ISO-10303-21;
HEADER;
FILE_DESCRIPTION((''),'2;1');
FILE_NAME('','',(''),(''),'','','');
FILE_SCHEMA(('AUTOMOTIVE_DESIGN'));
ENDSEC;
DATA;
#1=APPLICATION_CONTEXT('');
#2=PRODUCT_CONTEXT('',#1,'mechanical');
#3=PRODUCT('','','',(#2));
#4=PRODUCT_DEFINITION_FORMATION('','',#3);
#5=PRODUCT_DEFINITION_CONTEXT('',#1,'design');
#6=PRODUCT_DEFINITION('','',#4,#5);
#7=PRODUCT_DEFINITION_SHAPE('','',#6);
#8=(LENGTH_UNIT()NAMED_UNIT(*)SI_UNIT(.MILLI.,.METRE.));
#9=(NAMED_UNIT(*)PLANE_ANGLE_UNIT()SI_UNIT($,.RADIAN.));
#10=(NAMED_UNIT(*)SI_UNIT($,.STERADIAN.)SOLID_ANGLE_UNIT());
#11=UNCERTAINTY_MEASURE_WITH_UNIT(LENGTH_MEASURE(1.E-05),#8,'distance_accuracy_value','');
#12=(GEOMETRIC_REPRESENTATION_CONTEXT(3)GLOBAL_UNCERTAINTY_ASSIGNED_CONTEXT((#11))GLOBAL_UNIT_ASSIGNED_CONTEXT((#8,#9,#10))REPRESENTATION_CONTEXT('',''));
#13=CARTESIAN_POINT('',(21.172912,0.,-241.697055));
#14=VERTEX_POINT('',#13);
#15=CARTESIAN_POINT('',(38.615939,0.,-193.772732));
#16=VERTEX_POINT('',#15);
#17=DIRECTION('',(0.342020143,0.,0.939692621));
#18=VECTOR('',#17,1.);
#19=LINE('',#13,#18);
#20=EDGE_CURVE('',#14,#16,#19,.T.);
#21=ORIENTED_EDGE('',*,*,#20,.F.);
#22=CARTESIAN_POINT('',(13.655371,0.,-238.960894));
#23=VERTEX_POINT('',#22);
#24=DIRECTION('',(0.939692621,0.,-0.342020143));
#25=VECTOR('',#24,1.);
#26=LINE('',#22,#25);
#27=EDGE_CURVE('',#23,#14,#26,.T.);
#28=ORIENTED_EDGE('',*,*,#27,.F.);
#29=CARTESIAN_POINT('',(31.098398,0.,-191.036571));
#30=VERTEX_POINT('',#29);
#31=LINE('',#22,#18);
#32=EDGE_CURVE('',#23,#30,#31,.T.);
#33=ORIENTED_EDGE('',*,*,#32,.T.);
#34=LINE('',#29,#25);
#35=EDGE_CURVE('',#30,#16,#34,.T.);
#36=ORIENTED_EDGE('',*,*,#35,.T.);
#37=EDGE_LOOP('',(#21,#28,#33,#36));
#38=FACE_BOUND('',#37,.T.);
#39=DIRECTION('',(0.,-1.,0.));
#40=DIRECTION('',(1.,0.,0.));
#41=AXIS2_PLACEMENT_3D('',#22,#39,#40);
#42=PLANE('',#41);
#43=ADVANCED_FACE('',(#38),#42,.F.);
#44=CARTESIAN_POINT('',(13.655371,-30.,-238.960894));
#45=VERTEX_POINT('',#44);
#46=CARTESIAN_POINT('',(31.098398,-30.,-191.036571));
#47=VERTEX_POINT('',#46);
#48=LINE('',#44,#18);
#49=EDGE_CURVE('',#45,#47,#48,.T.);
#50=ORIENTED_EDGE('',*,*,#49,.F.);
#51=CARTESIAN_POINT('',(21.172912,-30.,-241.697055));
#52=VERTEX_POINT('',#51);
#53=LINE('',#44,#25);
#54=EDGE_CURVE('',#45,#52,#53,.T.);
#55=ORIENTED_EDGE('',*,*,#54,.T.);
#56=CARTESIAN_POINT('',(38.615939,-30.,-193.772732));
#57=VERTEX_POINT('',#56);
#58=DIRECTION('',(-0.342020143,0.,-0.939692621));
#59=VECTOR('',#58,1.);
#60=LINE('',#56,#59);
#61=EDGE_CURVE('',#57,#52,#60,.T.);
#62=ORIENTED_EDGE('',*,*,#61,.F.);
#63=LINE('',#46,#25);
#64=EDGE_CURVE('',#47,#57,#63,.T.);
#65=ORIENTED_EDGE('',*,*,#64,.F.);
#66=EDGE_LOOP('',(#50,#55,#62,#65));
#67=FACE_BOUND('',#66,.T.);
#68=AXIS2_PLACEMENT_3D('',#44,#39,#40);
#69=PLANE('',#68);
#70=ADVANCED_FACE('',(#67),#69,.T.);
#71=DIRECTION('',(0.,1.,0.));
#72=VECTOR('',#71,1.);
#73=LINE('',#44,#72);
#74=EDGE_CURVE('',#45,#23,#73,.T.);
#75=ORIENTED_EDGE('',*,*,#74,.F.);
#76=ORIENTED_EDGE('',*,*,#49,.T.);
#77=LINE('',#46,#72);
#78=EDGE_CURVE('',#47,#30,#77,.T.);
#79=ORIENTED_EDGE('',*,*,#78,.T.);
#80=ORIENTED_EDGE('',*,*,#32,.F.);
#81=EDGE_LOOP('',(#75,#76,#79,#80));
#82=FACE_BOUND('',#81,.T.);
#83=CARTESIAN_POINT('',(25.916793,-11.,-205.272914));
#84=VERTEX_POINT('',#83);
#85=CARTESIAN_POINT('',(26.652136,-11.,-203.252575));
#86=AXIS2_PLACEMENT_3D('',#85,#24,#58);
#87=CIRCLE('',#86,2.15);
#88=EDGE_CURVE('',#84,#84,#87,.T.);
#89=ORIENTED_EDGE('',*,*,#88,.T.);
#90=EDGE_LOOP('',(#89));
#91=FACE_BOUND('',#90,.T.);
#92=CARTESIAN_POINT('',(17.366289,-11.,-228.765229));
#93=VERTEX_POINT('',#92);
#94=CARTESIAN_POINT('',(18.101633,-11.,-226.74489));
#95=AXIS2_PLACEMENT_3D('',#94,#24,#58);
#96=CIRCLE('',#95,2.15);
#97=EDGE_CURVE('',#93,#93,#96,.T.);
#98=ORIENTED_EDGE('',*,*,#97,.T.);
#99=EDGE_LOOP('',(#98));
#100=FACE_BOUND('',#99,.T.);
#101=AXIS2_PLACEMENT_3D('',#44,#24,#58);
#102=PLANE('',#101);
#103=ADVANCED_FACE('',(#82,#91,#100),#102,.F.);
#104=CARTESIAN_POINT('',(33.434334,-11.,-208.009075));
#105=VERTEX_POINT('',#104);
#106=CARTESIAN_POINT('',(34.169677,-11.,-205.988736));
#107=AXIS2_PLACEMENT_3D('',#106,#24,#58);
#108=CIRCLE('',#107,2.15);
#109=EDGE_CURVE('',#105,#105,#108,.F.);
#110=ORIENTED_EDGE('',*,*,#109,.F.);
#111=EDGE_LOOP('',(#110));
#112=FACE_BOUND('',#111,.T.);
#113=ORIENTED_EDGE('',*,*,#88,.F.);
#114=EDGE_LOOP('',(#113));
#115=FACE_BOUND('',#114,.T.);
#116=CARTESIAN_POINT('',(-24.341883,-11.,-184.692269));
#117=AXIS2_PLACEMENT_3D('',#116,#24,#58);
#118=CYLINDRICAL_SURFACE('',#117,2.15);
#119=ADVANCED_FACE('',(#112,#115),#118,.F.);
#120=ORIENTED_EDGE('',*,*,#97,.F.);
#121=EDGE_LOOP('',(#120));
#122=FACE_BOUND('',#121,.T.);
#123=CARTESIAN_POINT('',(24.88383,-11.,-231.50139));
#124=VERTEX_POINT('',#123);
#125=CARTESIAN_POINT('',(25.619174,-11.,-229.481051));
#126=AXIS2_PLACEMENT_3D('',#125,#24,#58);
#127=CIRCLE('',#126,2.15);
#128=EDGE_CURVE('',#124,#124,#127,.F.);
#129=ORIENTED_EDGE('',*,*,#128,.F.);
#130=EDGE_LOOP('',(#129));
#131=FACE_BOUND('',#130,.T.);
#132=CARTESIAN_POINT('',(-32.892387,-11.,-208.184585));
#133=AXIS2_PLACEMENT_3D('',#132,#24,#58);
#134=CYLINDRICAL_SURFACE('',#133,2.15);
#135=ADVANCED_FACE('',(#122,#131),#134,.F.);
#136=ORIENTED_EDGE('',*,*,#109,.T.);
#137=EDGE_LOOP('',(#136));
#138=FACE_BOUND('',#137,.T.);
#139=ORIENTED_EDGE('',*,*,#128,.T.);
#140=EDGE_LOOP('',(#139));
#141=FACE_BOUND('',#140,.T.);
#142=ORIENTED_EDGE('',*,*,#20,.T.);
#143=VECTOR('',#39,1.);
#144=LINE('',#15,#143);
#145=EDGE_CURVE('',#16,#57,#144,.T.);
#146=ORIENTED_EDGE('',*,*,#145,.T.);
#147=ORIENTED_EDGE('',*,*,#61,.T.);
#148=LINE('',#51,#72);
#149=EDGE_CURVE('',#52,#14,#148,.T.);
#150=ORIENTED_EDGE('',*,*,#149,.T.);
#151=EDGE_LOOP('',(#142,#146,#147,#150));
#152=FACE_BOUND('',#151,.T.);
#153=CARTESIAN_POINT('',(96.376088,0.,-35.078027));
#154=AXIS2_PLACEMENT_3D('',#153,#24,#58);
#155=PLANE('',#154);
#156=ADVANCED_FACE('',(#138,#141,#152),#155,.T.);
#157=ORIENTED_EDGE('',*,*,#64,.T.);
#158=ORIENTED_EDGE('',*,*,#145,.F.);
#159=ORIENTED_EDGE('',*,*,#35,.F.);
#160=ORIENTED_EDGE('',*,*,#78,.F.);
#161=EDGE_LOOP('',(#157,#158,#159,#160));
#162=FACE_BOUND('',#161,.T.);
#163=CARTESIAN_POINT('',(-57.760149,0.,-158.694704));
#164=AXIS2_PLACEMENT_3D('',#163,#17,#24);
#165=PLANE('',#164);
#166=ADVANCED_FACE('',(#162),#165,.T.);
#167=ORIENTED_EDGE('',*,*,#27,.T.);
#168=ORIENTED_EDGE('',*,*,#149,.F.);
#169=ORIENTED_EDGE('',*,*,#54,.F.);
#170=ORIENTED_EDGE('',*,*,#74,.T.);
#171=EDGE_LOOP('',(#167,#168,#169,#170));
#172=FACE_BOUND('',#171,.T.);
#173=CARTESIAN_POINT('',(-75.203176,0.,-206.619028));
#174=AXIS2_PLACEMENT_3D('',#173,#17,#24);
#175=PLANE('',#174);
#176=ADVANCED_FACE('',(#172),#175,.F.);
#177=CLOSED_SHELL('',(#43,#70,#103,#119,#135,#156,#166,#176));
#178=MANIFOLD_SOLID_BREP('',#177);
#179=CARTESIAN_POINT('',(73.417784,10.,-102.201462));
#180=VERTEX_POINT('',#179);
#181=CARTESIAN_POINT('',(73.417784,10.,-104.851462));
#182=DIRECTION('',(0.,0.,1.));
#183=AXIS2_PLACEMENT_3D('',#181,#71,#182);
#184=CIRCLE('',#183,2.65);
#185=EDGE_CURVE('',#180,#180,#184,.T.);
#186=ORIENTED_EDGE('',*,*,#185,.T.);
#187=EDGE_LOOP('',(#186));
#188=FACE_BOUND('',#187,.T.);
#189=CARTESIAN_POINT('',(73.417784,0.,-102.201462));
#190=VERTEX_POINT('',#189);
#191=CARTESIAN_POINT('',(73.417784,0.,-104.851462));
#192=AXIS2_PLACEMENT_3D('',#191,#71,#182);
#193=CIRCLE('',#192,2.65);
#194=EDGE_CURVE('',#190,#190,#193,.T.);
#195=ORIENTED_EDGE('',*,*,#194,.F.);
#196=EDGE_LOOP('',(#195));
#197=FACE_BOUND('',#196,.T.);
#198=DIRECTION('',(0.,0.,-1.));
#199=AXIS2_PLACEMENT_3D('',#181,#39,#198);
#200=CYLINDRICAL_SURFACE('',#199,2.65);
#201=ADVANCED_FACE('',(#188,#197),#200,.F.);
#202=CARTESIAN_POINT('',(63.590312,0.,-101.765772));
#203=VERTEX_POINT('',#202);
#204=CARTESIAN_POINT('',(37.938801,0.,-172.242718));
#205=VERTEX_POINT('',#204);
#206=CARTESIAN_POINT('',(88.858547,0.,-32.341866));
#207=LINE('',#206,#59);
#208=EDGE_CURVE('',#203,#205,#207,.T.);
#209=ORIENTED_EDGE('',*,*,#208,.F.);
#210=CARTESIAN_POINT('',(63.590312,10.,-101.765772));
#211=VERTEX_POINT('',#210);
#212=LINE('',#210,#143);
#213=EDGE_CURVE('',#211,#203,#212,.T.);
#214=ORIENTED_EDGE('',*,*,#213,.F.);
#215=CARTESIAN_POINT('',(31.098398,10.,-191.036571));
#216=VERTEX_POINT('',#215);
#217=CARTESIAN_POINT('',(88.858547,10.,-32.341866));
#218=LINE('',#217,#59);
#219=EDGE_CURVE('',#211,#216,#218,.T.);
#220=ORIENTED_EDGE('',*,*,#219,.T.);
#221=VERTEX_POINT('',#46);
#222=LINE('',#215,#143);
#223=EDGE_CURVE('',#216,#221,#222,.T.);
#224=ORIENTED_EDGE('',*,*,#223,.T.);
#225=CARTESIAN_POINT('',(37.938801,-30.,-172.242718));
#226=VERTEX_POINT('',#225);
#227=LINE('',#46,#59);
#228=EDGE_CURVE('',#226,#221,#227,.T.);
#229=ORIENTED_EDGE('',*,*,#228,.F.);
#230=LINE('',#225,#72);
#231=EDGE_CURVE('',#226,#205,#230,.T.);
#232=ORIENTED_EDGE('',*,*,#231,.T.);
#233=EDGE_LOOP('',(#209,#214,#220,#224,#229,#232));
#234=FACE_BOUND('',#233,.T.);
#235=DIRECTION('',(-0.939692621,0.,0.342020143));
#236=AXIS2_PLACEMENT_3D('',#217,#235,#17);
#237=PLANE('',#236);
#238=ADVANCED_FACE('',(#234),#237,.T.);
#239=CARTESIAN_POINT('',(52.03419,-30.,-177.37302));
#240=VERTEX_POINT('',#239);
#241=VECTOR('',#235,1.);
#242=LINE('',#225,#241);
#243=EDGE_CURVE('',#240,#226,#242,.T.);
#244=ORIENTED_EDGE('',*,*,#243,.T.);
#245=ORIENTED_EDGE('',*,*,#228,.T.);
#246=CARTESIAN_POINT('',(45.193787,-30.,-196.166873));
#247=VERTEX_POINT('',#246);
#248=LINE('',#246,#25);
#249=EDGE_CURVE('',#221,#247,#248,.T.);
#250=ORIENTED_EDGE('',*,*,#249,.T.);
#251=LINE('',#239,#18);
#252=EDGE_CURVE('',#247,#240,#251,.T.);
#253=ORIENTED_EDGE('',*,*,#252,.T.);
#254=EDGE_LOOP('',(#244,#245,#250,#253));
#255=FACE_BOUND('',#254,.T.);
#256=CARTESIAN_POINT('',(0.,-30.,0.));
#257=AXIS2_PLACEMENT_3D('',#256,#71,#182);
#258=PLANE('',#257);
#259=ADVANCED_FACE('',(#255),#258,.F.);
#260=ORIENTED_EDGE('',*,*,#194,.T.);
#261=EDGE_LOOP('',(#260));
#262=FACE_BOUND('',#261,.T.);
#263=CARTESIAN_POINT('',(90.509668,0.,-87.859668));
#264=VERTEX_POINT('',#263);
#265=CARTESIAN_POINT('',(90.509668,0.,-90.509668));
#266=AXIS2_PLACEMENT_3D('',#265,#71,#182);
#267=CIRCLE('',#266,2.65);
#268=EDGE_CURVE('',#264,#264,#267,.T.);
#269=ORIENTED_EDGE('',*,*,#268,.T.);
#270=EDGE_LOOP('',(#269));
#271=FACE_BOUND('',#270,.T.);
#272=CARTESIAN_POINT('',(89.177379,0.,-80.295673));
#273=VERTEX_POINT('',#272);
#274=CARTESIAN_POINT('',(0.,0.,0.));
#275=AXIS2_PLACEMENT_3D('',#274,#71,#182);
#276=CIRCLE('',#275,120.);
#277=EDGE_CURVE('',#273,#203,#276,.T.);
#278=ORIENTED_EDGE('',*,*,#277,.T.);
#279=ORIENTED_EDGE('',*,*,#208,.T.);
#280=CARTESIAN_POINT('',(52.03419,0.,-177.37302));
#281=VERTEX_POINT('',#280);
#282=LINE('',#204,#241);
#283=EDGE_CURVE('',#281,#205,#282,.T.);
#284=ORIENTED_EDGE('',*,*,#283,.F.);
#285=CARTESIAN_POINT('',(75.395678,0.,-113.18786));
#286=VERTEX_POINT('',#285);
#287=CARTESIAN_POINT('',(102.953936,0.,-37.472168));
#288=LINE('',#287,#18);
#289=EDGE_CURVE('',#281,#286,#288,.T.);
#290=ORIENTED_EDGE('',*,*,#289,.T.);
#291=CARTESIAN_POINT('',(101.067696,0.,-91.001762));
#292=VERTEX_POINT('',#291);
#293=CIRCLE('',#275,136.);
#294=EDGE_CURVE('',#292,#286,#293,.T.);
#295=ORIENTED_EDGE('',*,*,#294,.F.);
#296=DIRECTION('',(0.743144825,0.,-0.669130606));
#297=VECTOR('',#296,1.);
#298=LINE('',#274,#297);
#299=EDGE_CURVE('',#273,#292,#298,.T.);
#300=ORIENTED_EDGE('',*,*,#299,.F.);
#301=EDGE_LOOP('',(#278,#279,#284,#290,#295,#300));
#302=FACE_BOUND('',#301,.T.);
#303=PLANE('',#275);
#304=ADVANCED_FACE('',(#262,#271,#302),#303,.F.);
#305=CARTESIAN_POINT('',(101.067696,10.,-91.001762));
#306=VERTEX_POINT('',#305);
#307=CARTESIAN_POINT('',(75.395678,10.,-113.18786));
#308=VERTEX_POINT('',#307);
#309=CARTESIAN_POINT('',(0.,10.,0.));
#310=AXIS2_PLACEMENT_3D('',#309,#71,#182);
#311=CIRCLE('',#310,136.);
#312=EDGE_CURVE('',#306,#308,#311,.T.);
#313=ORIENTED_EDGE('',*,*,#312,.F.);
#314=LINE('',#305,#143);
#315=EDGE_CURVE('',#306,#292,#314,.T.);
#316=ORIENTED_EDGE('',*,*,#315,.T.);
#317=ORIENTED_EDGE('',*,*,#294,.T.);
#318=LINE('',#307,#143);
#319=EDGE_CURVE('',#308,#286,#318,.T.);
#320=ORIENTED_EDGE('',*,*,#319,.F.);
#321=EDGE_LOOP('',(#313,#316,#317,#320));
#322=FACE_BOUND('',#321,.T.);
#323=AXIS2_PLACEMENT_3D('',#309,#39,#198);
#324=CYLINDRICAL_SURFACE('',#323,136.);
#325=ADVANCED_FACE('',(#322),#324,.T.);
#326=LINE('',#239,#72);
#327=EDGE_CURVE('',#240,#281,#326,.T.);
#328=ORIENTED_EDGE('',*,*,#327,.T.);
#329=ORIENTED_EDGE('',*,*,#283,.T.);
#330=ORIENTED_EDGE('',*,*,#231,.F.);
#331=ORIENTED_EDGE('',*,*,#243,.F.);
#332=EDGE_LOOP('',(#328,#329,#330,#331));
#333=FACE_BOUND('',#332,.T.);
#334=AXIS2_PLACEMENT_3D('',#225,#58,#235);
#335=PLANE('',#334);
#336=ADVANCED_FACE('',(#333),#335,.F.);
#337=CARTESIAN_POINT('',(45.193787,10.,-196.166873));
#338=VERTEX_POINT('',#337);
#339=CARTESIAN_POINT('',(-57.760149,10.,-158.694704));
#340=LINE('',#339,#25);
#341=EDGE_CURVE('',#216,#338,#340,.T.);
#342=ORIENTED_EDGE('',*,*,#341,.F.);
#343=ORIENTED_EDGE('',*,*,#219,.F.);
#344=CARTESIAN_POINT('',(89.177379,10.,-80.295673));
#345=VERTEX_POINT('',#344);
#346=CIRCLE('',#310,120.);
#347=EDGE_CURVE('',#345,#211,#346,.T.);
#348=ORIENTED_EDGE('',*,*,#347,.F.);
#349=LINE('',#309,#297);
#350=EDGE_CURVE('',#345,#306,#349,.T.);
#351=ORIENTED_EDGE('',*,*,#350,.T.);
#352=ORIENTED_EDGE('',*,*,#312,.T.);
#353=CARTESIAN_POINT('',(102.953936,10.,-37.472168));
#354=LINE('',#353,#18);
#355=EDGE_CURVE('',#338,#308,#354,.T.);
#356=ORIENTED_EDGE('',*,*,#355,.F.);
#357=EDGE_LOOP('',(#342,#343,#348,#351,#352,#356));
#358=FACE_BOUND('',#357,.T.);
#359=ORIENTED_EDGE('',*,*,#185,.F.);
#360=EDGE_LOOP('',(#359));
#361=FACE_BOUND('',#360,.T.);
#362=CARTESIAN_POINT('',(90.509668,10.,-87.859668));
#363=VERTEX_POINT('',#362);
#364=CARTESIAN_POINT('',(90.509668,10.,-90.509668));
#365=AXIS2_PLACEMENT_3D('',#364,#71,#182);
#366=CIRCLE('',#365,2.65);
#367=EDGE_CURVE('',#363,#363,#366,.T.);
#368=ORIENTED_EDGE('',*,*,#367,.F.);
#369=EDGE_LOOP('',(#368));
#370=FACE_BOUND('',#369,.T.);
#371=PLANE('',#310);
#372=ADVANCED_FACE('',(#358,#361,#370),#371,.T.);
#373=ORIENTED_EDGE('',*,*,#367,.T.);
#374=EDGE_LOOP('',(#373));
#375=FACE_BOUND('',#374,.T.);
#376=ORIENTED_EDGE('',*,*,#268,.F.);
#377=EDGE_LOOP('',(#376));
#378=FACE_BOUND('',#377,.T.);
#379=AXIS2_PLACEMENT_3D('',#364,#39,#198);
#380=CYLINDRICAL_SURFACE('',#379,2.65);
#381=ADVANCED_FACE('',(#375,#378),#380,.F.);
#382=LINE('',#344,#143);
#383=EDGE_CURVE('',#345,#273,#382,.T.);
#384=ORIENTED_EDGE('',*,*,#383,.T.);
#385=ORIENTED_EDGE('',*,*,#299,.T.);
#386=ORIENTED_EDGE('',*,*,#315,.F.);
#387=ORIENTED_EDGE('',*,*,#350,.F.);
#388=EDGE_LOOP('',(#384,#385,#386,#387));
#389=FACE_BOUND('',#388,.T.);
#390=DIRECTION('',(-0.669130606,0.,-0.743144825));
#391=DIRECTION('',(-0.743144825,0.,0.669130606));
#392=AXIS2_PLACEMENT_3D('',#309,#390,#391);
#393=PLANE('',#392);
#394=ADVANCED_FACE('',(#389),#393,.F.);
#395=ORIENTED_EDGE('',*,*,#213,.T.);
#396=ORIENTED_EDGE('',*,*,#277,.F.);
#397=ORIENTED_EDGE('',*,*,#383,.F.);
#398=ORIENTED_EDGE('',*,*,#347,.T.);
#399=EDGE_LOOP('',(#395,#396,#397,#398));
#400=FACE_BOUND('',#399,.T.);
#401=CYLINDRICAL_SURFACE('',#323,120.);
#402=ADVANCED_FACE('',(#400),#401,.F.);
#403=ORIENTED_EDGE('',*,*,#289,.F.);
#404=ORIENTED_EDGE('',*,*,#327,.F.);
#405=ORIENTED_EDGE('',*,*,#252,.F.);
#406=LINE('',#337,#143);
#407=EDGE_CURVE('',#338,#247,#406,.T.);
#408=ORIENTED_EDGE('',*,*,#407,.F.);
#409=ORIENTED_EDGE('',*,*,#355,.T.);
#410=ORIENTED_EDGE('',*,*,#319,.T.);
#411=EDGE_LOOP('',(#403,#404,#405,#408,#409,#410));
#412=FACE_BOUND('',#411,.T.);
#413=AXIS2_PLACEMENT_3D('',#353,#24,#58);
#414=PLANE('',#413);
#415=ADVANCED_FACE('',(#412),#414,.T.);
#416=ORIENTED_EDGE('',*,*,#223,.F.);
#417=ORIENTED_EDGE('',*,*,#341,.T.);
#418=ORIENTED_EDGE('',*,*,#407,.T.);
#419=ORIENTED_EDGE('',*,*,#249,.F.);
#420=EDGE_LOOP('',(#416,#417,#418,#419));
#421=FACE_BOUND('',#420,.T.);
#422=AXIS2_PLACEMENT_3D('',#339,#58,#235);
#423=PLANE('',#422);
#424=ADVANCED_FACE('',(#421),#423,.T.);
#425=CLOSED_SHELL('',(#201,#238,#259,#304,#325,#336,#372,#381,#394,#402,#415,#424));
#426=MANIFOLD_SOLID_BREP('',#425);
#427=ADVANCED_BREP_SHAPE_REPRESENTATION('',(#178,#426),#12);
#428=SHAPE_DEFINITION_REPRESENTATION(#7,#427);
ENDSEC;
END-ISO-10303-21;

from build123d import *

# Parameters (mm, degrees)
SKETCH_1_R          = 2.65
EXTRUDE_3_DEPTH     = 10
EXTRUDE_4_DEPTH     = 30
SKETCH_15_W         = 15
SKETCH_15_H         = 30
EXTRUDE_5_DEPTH     = 51
SKETCH_16_R         = 2.15
CUT_EXTRUDE_6_DEPTH = 228.080726912
SKETCH_17_W         = 51
SKETCH_17_H         = 30
CUT_EXTRUDE_7_DEPTH = 7


with BuildPart() as part:
    # 草图1 → 凸台-拉伸3 (new body)
    with BuildSketch(Plane(origin=(0, 0, 0), x_dir=(1, 0, 0), z_dir=(0, 1, 0))):
        with BuildLine():
            Line((31.098398092, 191.036570513), (63.590311708, 101.765771539))
            ThreePointArc((63.590311708, 101.765771539), (77.134513162, 91.925333174), (89.177379057, 80.295672763))
            Line((89.177379057, 80.295672763), (101.067696265, 91.001762465))
            ThreePointArc((101.067696265, 91.001762465), (88.926297254, 102.898560033), (75.395677923, 113.187860438))
            Line((75.395677923, 113.187860438), (45.193787404, 196.166872663))
            Line((45.193787404, 196.166872663), (31.098398092, 191.036570513))
        make_face()
        with Locations(Location((73.417783853, 104.851461669, 0), (0, 0, 270))):
            Circle(SKETCH_1_R, mode=Mode.SUBTRACT)
        with Locations(Location((90.509667992, 90.509667992, 0), (0, 0, 270))):
            Circle(SKETCH_1_R, mode=Mode.SUBTRACT)
    extrude(amount=EXTRUDE_3_DEPTH)

    # 草图14 → 凸台-拉伸4 (add)
    with BuildSketch(Plane.XZ):
        Polygon((45.193787404, -196.166872663), (31.098398092, -191.036570513), (37.938800959, -172.242718098), (52.03419027, -177.373020248), align=None)
    extrude(amount=EXTRUDE_4_DEPTH)


with BuildPart() as body_2:
    # 草图15 → 凸台-拉伸5 (new body)
    with BuildSketch(Plane(origin=(-57.76014874, 0, -158.694704407), x_dir=(-0.9396926207859112, 0, 0.3420201433256609), z_dir=(-0.3420201433256609, 0, -0.9396926207859113))):
        with Locations((-102.061290433, -15)):
            Rectangle(SKETCH_15_W, SKETCH_15_H)
    extrude(amount=EXTRUDE_5_DEPTH)

    # 草图16 → 切除-拉伸6 (cut, through all)
    with BuildSketch(Plane(origin=(102.953936143, 0, -37.472168257), x_dir=(-0.34202014332566083, 0, -0.9396926207859113), z_dir=(0.9396926207859113, 0, -0.34202014332566083))):
        with Locations((206.879377039, -11)):
            Circle(SKETCH_16_R)
        with Locations((181.879377039, -11)):
            Circle(SKETCH_16_R)
    extrude(amount=-CUT_EXTRUDE_6_DEPTH, mode=Mode.SUBTRACT)

    # 草图17 → 切除-拉伸7 (cut)
    with BuildSketch(Plane(origin=(102.953936143, 0, -37.472168257), x_dir=(-0.34202014332566083, 0, -0.9396926207859113), z_dir=(0.9396926207859113, 0, -0.34202014332566083))):
        with Locations((194.379377039, -15)):
            Rectangle(SKETCH_17_W, SKETCH_17_H)
    extrude(amount=-CUT_EXTRUDE_7_DEPTH, mode=Mode.SUBTRACT)


solid = Compound([part.part, body_2.part])
